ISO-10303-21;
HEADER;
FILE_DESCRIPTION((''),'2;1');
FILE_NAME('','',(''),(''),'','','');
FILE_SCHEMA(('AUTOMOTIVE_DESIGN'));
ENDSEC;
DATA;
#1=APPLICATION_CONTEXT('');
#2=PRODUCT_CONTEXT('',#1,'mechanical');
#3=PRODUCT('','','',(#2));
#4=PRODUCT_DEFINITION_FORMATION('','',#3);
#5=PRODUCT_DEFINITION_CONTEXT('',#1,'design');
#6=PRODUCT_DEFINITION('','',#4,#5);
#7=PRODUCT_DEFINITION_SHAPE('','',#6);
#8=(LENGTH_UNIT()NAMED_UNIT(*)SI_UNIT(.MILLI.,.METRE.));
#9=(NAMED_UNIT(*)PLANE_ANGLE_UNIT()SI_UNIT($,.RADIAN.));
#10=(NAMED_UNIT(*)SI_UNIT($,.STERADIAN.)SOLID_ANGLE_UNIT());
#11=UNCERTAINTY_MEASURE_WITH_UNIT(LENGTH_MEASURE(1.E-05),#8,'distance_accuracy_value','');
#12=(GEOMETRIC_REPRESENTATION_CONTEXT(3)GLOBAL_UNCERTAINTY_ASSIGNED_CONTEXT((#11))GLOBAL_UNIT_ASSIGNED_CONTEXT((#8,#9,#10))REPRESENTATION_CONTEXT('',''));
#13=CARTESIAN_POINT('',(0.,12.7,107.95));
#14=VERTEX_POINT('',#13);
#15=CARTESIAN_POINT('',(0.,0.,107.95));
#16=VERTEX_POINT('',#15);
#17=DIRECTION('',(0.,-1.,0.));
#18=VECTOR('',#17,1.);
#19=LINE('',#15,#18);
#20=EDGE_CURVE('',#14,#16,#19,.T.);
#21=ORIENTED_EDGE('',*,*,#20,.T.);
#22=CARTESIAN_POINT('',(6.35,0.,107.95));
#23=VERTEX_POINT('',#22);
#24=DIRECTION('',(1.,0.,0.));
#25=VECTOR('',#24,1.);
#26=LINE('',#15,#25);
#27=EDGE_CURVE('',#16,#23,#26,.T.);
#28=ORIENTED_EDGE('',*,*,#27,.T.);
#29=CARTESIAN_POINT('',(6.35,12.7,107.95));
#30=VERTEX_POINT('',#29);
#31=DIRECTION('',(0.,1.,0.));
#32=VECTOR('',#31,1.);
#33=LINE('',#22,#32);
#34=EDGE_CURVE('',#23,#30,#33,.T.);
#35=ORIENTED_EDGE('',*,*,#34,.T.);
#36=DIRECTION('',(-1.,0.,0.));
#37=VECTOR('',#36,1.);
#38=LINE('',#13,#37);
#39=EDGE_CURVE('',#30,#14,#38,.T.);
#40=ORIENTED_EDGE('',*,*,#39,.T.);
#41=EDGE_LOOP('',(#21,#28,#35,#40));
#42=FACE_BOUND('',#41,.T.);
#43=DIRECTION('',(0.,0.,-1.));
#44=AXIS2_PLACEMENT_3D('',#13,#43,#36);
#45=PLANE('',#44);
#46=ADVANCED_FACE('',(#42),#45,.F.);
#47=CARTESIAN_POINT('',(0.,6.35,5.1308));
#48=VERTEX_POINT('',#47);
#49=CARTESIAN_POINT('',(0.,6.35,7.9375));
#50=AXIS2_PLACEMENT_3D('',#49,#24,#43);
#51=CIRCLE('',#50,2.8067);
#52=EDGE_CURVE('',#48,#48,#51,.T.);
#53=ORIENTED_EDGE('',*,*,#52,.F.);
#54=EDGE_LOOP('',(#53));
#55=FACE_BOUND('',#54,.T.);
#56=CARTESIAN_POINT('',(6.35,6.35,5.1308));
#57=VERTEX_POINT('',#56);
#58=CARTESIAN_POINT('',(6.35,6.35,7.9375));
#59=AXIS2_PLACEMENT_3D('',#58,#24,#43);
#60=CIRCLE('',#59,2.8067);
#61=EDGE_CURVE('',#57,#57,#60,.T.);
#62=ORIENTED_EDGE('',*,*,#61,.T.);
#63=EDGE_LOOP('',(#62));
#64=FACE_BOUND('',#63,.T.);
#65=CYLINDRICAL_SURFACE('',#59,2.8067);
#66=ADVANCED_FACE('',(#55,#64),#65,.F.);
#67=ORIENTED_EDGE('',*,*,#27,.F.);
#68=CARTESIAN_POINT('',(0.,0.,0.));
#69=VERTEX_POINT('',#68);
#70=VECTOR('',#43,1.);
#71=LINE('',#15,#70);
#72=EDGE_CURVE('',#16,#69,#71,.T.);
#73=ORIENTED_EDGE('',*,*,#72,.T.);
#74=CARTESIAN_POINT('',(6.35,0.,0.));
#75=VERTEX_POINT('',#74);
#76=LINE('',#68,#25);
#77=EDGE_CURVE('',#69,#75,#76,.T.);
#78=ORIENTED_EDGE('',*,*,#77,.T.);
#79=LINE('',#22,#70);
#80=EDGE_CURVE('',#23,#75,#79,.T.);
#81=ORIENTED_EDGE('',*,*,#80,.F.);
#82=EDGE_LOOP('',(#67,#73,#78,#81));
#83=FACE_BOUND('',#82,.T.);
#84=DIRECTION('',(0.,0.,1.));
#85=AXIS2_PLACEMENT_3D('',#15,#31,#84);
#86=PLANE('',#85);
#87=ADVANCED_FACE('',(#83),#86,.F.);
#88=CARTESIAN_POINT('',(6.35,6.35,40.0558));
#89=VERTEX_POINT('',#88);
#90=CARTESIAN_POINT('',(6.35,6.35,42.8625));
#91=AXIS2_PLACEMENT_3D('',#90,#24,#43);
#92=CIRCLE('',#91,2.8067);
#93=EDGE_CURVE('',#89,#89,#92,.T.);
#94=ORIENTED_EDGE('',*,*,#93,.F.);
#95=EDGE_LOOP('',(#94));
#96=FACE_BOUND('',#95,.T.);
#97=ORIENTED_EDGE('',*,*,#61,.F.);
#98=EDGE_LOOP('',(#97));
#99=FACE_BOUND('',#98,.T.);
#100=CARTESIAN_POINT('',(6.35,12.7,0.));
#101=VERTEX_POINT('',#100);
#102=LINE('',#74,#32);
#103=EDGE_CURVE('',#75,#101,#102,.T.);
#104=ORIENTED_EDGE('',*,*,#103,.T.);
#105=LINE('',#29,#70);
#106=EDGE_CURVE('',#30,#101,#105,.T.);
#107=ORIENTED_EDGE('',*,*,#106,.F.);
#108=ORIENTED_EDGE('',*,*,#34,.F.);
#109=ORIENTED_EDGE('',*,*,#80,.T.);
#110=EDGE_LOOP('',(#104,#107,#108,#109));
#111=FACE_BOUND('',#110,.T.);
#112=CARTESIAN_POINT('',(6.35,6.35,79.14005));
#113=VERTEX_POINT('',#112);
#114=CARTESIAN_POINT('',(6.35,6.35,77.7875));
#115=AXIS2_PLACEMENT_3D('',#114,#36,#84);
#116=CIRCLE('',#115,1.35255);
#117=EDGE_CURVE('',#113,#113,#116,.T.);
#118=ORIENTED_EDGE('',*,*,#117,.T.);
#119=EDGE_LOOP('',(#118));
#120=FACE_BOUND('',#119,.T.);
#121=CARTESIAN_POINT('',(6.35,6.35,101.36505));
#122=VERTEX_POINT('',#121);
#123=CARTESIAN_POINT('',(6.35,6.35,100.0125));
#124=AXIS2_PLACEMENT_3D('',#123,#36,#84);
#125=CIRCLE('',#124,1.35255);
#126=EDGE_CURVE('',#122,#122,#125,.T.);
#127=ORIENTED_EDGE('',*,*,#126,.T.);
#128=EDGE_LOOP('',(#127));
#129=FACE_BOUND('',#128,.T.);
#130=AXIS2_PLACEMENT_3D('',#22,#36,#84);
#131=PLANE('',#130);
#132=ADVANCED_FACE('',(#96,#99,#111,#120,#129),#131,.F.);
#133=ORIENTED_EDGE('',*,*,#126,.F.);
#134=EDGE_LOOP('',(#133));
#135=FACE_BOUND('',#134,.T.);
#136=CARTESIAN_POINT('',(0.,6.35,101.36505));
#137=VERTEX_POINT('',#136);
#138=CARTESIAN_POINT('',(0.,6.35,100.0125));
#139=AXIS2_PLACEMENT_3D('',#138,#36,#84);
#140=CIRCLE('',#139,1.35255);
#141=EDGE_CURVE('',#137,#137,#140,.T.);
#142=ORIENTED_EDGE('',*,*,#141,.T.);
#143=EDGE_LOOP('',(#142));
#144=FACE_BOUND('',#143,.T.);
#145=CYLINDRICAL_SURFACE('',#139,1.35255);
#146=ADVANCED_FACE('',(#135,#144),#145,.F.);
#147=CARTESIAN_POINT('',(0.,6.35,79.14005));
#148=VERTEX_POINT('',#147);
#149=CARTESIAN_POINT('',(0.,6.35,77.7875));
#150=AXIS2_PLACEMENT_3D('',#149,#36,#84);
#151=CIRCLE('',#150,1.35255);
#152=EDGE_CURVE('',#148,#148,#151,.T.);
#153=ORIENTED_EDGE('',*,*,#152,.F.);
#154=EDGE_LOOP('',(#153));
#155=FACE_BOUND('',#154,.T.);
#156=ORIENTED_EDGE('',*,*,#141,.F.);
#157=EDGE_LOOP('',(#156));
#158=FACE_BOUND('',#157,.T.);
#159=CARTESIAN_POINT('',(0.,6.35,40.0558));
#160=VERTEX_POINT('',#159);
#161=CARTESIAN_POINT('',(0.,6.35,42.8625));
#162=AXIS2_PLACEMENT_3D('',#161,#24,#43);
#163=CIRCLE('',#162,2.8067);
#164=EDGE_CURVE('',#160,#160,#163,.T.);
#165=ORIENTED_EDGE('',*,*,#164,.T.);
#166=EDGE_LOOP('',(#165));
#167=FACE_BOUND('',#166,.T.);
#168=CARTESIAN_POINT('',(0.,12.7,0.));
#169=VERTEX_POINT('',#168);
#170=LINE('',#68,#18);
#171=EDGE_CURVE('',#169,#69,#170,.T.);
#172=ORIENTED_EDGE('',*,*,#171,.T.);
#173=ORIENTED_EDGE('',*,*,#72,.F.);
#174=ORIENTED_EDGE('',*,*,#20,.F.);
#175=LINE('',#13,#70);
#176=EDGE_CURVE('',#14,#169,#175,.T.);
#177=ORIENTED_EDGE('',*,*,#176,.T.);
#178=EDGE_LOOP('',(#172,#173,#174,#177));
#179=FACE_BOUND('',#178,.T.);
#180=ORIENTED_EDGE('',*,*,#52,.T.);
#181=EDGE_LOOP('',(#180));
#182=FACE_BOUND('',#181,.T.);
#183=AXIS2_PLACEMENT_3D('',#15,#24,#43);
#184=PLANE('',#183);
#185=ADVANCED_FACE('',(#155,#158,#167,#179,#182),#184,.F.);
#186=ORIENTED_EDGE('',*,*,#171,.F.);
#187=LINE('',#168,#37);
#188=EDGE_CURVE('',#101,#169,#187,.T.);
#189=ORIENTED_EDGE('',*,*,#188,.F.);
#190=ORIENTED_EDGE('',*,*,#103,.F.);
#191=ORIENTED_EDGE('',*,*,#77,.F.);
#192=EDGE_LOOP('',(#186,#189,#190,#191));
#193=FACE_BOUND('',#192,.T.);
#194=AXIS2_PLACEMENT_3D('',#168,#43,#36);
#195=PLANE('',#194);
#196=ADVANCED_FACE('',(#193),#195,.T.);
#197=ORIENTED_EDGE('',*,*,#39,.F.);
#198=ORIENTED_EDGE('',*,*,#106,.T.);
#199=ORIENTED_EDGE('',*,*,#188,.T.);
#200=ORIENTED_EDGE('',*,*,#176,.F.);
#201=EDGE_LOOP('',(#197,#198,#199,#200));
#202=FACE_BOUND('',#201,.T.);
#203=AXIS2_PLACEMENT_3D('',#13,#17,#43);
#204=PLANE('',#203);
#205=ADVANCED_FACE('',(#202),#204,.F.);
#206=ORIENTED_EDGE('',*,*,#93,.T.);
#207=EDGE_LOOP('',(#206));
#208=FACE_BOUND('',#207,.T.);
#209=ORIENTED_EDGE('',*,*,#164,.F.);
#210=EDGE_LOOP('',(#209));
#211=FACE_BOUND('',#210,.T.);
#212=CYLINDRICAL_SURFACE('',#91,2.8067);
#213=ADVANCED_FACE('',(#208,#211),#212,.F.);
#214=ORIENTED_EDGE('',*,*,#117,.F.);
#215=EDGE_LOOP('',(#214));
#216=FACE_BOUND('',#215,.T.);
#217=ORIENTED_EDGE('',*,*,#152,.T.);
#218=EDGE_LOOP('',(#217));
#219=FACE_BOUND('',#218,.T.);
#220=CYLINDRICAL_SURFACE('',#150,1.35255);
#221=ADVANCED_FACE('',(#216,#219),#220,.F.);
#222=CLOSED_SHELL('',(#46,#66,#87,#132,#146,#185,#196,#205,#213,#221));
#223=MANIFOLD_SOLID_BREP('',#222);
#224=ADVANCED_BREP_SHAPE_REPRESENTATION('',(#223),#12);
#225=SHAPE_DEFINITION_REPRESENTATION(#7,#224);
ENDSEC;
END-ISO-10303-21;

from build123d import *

# Parameters (mm, degrees)
SKETCH1_W              = 6.35
SKETCH1_H              = 12.7
EXTRUDE1_DEPTH         = 107.95
F_10_CLEARANCE_HOLE1_D = 5.6134
F_6_32_TAPPED_HOLE1_D  = 2.7051


with BuildPart() as part:
    # Sketch1 → Extrude1 (new body)
    with BuildSketch(Plane.XY):
        with Locations((3.175, 6.35)):
            Rectangle(SKETCH1_W, SKETCH1_H)
    extrude(amount=EXTRUDE1_DEPTH)

    # #10 Clearance Hole1 (through all)
    with Locations(Plane(origin=(6.35, 0, 0), x_dir=(0, 0, -1), z_dir=(1, 0, 0))):
        with Locations((-42.8625, 6.35), (-7.9375, 6.35)):
            Hole(F_10_CLEARANCE_HOLE1_D / 2)

    # #6-32 Tapped Hole1 (through all)
    with Locations(Plane.ZY):
        with Locations((100.0125, 6.35), (77.7875, 6.35)):
            Hole(F_6_32_TAPPED_HOLE1_D / 2)


solid = part.part
